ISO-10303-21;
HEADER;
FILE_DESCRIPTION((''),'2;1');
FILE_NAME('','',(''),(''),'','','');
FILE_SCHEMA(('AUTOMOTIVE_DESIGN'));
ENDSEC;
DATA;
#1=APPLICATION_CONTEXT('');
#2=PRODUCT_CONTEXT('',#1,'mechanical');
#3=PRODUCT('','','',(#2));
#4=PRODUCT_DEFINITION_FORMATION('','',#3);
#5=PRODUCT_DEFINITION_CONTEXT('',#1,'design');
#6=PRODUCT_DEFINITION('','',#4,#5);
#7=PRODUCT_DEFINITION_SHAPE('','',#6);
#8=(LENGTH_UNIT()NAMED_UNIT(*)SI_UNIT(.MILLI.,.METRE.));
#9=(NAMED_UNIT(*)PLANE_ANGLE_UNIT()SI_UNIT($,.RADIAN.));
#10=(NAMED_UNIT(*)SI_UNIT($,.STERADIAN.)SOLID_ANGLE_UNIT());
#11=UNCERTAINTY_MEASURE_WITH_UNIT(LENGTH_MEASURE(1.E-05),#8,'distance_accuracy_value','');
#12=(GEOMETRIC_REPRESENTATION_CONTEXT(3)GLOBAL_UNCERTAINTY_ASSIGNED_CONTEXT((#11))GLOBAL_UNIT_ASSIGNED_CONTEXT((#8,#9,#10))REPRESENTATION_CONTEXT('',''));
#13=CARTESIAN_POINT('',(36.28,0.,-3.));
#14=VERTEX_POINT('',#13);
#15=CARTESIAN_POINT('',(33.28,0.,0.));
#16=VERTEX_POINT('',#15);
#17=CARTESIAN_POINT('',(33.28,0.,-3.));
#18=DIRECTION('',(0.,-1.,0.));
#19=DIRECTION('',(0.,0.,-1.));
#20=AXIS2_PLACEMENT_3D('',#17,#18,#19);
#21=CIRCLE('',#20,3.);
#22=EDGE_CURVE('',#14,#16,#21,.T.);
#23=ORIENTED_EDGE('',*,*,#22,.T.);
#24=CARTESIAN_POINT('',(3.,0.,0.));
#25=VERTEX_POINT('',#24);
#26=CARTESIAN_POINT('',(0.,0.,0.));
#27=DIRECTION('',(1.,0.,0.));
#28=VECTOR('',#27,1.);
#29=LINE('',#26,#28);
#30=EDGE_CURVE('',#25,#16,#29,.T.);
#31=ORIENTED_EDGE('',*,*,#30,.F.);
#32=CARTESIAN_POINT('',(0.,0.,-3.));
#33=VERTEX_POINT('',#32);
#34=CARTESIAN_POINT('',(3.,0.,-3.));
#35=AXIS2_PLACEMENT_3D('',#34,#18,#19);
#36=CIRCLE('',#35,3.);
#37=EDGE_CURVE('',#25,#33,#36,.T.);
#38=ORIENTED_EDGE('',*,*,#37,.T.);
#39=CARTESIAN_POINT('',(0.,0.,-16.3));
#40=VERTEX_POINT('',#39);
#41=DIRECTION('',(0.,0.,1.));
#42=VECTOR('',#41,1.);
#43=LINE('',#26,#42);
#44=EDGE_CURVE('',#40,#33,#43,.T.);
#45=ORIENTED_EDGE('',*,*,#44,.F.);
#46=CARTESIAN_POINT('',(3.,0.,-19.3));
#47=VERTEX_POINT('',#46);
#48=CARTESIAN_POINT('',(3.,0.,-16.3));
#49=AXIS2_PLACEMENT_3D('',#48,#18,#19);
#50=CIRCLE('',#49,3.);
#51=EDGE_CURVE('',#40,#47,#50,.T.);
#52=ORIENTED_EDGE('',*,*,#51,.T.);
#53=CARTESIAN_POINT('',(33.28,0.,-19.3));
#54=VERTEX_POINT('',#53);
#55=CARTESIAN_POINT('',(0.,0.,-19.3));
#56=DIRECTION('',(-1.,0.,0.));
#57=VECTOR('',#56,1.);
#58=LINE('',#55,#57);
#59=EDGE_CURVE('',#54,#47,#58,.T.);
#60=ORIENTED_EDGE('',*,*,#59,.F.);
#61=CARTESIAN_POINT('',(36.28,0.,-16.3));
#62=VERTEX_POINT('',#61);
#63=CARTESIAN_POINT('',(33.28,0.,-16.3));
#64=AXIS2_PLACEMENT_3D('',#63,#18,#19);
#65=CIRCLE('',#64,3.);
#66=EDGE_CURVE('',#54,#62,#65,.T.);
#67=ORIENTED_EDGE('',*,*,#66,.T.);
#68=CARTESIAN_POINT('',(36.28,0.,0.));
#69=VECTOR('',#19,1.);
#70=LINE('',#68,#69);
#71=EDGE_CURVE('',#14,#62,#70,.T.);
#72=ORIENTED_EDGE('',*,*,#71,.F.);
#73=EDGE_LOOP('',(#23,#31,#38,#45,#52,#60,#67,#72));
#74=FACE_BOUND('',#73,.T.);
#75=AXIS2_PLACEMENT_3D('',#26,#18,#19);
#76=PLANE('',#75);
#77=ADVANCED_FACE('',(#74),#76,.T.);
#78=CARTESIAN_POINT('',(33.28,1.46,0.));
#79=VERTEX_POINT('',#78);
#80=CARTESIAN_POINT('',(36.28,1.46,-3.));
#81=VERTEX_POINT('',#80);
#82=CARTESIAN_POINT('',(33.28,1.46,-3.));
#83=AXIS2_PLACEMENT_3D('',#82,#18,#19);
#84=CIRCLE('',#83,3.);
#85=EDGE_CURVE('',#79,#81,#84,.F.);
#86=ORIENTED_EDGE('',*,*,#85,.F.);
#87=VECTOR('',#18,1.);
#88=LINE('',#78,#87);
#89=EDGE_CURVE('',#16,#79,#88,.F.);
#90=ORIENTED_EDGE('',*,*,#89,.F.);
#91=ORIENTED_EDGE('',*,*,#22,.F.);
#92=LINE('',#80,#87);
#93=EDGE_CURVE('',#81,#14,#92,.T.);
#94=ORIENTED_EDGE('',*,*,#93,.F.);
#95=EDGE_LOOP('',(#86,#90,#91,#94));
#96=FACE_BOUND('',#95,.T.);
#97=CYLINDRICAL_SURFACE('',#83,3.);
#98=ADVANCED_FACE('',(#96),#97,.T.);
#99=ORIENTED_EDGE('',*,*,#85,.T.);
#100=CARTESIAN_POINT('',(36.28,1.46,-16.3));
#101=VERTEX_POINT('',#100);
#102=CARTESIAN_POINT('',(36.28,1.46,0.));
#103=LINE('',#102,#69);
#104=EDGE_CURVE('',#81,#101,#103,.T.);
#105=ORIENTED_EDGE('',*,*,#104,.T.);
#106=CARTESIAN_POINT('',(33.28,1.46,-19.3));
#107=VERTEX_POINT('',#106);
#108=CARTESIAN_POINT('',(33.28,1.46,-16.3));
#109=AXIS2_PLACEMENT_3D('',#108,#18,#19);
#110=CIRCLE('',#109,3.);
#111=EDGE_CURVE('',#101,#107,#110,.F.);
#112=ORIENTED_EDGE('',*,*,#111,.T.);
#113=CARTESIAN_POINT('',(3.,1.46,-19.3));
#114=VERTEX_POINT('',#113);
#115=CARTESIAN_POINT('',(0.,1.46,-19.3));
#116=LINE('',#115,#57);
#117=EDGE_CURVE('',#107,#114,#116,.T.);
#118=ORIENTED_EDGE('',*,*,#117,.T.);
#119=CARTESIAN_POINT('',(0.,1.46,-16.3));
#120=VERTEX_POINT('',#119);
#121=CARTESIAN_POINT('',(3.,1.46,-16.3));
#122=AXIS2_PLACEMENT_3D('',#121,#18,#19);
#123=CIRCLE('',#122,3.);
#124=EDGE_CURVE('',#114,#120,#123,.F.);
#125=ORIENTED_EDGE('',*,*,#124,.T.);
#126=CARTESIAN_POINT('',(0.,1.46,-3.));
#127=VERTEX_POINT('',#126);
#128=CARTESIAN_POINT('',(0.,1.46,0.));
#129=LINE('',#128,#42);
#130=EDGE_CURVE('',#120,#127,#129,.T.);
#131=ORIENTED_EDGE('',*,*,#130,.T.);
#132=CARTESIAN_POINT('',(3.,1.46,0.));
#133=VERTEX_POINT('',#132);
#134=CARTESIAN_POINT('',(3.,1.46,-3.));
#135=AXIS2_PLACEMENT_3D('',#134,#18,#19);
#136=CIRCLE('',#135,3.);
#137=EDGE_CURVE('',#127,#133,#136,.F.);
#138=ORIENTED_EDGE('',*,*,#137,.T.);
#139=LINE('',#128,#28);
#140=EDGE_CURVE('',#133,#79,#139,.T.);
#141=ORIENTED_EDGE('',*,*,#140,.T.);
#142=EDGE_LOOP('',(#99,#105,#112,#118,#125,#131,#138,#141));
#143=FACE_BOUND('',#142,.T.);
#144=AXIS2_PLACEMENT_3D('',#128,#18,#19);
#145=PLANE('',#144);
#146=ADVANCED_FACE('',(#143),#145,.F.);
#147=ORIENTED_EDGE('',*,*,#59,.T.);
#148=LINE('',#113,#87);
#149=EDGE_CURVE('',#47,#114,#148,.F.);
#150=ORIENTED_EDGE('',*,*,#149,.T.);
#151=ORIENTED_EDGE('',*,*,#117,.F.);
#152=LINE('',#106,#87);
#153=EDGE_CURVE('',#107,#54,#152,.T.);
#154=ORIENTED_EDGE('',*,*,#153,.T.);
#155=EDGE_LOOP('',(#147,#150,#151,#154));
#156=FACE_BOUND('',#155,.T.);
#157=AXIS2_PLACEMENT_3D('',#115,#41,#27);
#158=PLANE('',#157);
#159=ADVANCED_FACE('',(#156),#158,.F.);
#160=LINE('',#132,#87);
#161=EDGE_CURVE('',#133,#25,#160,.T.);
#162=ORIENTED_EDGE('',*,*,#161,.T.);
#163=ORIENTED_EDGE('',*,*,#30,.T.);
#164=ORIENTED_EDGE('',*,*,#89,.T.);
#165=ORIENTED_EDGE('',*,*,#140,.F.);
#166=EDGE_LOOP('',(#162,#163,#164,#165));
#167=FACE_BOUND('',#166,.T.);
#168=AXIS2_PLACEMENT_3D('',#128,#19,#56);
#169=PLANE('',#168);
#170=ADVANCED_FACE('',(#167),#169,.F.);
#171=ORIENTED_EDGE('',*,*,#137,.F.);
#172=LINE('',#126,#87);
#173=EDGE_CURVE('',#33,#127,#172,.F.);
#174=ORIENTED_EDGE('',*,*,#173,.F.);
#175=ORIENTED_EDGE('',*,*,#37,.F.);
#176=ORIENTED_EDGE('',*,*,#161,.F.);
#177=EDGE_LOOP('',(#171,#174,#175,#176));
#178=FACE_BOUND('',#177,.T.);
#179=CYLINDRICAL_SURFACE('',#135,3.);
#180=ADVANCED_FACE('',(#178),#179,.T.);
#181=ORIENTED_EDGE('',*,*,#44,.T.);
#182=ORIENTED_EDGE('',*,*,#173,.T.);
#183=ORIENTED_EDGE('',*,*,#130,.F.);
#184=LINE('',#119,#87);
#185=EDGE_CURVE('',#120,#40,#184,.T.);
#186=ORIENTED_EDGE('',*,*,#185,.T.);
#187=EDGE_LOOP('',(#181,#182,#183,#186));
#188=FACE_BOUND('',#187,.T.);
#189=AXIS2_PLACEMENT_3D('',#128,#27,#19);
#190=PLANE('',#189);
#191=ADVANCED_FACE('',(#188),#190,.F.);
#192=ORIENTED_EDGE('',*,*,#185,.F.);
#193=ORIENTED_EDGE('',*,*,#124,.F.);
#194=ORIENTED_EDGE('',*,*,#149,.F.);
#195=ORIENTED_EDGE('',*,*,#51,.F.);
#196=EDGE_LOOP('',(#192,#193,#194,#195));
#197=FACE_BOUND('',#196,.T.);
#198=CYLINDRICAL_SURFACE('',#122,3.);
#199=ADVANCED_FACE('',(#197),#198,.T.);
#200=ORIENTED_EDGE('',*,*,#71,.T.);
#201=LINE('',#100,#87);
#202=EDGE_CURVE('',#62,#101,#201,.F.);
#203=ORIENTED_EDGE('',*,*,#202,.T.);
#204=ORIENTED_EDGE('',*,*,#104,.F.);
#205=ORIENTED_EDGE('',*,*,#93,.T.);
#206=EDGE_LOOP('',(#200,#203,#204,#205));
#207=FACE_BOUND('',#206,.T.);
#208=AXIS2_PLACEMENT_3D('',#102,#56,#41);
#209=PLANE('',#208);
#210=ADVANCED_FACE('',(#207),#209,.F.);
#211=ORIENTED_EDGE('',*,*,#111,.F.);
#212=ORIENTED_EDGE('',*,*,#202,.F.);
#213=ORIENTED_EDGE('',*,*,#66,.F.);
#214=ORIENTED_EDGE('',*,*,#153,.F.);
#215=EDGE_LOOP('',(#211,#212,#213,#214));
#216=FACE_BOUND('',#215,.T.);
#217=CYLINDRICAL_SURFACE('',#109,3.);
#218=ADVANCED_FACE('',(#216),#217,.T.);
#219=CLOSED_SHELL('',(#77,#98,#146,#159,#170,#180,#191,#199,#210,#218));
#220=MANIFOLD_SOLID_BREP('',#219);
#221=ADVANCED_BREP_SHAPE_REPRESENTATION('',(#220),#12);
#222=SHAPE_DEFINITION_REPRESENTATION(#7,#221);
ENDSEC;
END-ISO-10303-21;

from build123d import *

# Parameters (mm, degrees)
SKETCH_1_W      = 36.28
SKETCH_1_H      = 19.3
EXTRUDE_1_DEPTH = 1.46
FILLET_1_R      = 3


with BuildPart() as part:
    # 草图1 → 凸台-拉伸1 (new body)
    with BuildSketch(Plane(origin=(0, 0, 0), x_dir=(1, 0, 0), z_dir=(0, 1, 0))):
        with Locations((18.14, 9.65)):
            Rectangle(SKETCH_1_W, SKETCH_1_H)
    extrude(amount=EXTRUDE_1_DEPTH)

    # 圆角1
    fillet_1_edges = [part.edges().sort_by_distance(p)[0] for p in [
        (0, 0.73, -19.3),
        (36.28, 0.73, -19.3),
        (36.28, 0.73, 0),
        (0, 0.73, 0),
    ]]
    fillet(fillet_1_edges, radius=FILLET_1_R)


solid = part.part
